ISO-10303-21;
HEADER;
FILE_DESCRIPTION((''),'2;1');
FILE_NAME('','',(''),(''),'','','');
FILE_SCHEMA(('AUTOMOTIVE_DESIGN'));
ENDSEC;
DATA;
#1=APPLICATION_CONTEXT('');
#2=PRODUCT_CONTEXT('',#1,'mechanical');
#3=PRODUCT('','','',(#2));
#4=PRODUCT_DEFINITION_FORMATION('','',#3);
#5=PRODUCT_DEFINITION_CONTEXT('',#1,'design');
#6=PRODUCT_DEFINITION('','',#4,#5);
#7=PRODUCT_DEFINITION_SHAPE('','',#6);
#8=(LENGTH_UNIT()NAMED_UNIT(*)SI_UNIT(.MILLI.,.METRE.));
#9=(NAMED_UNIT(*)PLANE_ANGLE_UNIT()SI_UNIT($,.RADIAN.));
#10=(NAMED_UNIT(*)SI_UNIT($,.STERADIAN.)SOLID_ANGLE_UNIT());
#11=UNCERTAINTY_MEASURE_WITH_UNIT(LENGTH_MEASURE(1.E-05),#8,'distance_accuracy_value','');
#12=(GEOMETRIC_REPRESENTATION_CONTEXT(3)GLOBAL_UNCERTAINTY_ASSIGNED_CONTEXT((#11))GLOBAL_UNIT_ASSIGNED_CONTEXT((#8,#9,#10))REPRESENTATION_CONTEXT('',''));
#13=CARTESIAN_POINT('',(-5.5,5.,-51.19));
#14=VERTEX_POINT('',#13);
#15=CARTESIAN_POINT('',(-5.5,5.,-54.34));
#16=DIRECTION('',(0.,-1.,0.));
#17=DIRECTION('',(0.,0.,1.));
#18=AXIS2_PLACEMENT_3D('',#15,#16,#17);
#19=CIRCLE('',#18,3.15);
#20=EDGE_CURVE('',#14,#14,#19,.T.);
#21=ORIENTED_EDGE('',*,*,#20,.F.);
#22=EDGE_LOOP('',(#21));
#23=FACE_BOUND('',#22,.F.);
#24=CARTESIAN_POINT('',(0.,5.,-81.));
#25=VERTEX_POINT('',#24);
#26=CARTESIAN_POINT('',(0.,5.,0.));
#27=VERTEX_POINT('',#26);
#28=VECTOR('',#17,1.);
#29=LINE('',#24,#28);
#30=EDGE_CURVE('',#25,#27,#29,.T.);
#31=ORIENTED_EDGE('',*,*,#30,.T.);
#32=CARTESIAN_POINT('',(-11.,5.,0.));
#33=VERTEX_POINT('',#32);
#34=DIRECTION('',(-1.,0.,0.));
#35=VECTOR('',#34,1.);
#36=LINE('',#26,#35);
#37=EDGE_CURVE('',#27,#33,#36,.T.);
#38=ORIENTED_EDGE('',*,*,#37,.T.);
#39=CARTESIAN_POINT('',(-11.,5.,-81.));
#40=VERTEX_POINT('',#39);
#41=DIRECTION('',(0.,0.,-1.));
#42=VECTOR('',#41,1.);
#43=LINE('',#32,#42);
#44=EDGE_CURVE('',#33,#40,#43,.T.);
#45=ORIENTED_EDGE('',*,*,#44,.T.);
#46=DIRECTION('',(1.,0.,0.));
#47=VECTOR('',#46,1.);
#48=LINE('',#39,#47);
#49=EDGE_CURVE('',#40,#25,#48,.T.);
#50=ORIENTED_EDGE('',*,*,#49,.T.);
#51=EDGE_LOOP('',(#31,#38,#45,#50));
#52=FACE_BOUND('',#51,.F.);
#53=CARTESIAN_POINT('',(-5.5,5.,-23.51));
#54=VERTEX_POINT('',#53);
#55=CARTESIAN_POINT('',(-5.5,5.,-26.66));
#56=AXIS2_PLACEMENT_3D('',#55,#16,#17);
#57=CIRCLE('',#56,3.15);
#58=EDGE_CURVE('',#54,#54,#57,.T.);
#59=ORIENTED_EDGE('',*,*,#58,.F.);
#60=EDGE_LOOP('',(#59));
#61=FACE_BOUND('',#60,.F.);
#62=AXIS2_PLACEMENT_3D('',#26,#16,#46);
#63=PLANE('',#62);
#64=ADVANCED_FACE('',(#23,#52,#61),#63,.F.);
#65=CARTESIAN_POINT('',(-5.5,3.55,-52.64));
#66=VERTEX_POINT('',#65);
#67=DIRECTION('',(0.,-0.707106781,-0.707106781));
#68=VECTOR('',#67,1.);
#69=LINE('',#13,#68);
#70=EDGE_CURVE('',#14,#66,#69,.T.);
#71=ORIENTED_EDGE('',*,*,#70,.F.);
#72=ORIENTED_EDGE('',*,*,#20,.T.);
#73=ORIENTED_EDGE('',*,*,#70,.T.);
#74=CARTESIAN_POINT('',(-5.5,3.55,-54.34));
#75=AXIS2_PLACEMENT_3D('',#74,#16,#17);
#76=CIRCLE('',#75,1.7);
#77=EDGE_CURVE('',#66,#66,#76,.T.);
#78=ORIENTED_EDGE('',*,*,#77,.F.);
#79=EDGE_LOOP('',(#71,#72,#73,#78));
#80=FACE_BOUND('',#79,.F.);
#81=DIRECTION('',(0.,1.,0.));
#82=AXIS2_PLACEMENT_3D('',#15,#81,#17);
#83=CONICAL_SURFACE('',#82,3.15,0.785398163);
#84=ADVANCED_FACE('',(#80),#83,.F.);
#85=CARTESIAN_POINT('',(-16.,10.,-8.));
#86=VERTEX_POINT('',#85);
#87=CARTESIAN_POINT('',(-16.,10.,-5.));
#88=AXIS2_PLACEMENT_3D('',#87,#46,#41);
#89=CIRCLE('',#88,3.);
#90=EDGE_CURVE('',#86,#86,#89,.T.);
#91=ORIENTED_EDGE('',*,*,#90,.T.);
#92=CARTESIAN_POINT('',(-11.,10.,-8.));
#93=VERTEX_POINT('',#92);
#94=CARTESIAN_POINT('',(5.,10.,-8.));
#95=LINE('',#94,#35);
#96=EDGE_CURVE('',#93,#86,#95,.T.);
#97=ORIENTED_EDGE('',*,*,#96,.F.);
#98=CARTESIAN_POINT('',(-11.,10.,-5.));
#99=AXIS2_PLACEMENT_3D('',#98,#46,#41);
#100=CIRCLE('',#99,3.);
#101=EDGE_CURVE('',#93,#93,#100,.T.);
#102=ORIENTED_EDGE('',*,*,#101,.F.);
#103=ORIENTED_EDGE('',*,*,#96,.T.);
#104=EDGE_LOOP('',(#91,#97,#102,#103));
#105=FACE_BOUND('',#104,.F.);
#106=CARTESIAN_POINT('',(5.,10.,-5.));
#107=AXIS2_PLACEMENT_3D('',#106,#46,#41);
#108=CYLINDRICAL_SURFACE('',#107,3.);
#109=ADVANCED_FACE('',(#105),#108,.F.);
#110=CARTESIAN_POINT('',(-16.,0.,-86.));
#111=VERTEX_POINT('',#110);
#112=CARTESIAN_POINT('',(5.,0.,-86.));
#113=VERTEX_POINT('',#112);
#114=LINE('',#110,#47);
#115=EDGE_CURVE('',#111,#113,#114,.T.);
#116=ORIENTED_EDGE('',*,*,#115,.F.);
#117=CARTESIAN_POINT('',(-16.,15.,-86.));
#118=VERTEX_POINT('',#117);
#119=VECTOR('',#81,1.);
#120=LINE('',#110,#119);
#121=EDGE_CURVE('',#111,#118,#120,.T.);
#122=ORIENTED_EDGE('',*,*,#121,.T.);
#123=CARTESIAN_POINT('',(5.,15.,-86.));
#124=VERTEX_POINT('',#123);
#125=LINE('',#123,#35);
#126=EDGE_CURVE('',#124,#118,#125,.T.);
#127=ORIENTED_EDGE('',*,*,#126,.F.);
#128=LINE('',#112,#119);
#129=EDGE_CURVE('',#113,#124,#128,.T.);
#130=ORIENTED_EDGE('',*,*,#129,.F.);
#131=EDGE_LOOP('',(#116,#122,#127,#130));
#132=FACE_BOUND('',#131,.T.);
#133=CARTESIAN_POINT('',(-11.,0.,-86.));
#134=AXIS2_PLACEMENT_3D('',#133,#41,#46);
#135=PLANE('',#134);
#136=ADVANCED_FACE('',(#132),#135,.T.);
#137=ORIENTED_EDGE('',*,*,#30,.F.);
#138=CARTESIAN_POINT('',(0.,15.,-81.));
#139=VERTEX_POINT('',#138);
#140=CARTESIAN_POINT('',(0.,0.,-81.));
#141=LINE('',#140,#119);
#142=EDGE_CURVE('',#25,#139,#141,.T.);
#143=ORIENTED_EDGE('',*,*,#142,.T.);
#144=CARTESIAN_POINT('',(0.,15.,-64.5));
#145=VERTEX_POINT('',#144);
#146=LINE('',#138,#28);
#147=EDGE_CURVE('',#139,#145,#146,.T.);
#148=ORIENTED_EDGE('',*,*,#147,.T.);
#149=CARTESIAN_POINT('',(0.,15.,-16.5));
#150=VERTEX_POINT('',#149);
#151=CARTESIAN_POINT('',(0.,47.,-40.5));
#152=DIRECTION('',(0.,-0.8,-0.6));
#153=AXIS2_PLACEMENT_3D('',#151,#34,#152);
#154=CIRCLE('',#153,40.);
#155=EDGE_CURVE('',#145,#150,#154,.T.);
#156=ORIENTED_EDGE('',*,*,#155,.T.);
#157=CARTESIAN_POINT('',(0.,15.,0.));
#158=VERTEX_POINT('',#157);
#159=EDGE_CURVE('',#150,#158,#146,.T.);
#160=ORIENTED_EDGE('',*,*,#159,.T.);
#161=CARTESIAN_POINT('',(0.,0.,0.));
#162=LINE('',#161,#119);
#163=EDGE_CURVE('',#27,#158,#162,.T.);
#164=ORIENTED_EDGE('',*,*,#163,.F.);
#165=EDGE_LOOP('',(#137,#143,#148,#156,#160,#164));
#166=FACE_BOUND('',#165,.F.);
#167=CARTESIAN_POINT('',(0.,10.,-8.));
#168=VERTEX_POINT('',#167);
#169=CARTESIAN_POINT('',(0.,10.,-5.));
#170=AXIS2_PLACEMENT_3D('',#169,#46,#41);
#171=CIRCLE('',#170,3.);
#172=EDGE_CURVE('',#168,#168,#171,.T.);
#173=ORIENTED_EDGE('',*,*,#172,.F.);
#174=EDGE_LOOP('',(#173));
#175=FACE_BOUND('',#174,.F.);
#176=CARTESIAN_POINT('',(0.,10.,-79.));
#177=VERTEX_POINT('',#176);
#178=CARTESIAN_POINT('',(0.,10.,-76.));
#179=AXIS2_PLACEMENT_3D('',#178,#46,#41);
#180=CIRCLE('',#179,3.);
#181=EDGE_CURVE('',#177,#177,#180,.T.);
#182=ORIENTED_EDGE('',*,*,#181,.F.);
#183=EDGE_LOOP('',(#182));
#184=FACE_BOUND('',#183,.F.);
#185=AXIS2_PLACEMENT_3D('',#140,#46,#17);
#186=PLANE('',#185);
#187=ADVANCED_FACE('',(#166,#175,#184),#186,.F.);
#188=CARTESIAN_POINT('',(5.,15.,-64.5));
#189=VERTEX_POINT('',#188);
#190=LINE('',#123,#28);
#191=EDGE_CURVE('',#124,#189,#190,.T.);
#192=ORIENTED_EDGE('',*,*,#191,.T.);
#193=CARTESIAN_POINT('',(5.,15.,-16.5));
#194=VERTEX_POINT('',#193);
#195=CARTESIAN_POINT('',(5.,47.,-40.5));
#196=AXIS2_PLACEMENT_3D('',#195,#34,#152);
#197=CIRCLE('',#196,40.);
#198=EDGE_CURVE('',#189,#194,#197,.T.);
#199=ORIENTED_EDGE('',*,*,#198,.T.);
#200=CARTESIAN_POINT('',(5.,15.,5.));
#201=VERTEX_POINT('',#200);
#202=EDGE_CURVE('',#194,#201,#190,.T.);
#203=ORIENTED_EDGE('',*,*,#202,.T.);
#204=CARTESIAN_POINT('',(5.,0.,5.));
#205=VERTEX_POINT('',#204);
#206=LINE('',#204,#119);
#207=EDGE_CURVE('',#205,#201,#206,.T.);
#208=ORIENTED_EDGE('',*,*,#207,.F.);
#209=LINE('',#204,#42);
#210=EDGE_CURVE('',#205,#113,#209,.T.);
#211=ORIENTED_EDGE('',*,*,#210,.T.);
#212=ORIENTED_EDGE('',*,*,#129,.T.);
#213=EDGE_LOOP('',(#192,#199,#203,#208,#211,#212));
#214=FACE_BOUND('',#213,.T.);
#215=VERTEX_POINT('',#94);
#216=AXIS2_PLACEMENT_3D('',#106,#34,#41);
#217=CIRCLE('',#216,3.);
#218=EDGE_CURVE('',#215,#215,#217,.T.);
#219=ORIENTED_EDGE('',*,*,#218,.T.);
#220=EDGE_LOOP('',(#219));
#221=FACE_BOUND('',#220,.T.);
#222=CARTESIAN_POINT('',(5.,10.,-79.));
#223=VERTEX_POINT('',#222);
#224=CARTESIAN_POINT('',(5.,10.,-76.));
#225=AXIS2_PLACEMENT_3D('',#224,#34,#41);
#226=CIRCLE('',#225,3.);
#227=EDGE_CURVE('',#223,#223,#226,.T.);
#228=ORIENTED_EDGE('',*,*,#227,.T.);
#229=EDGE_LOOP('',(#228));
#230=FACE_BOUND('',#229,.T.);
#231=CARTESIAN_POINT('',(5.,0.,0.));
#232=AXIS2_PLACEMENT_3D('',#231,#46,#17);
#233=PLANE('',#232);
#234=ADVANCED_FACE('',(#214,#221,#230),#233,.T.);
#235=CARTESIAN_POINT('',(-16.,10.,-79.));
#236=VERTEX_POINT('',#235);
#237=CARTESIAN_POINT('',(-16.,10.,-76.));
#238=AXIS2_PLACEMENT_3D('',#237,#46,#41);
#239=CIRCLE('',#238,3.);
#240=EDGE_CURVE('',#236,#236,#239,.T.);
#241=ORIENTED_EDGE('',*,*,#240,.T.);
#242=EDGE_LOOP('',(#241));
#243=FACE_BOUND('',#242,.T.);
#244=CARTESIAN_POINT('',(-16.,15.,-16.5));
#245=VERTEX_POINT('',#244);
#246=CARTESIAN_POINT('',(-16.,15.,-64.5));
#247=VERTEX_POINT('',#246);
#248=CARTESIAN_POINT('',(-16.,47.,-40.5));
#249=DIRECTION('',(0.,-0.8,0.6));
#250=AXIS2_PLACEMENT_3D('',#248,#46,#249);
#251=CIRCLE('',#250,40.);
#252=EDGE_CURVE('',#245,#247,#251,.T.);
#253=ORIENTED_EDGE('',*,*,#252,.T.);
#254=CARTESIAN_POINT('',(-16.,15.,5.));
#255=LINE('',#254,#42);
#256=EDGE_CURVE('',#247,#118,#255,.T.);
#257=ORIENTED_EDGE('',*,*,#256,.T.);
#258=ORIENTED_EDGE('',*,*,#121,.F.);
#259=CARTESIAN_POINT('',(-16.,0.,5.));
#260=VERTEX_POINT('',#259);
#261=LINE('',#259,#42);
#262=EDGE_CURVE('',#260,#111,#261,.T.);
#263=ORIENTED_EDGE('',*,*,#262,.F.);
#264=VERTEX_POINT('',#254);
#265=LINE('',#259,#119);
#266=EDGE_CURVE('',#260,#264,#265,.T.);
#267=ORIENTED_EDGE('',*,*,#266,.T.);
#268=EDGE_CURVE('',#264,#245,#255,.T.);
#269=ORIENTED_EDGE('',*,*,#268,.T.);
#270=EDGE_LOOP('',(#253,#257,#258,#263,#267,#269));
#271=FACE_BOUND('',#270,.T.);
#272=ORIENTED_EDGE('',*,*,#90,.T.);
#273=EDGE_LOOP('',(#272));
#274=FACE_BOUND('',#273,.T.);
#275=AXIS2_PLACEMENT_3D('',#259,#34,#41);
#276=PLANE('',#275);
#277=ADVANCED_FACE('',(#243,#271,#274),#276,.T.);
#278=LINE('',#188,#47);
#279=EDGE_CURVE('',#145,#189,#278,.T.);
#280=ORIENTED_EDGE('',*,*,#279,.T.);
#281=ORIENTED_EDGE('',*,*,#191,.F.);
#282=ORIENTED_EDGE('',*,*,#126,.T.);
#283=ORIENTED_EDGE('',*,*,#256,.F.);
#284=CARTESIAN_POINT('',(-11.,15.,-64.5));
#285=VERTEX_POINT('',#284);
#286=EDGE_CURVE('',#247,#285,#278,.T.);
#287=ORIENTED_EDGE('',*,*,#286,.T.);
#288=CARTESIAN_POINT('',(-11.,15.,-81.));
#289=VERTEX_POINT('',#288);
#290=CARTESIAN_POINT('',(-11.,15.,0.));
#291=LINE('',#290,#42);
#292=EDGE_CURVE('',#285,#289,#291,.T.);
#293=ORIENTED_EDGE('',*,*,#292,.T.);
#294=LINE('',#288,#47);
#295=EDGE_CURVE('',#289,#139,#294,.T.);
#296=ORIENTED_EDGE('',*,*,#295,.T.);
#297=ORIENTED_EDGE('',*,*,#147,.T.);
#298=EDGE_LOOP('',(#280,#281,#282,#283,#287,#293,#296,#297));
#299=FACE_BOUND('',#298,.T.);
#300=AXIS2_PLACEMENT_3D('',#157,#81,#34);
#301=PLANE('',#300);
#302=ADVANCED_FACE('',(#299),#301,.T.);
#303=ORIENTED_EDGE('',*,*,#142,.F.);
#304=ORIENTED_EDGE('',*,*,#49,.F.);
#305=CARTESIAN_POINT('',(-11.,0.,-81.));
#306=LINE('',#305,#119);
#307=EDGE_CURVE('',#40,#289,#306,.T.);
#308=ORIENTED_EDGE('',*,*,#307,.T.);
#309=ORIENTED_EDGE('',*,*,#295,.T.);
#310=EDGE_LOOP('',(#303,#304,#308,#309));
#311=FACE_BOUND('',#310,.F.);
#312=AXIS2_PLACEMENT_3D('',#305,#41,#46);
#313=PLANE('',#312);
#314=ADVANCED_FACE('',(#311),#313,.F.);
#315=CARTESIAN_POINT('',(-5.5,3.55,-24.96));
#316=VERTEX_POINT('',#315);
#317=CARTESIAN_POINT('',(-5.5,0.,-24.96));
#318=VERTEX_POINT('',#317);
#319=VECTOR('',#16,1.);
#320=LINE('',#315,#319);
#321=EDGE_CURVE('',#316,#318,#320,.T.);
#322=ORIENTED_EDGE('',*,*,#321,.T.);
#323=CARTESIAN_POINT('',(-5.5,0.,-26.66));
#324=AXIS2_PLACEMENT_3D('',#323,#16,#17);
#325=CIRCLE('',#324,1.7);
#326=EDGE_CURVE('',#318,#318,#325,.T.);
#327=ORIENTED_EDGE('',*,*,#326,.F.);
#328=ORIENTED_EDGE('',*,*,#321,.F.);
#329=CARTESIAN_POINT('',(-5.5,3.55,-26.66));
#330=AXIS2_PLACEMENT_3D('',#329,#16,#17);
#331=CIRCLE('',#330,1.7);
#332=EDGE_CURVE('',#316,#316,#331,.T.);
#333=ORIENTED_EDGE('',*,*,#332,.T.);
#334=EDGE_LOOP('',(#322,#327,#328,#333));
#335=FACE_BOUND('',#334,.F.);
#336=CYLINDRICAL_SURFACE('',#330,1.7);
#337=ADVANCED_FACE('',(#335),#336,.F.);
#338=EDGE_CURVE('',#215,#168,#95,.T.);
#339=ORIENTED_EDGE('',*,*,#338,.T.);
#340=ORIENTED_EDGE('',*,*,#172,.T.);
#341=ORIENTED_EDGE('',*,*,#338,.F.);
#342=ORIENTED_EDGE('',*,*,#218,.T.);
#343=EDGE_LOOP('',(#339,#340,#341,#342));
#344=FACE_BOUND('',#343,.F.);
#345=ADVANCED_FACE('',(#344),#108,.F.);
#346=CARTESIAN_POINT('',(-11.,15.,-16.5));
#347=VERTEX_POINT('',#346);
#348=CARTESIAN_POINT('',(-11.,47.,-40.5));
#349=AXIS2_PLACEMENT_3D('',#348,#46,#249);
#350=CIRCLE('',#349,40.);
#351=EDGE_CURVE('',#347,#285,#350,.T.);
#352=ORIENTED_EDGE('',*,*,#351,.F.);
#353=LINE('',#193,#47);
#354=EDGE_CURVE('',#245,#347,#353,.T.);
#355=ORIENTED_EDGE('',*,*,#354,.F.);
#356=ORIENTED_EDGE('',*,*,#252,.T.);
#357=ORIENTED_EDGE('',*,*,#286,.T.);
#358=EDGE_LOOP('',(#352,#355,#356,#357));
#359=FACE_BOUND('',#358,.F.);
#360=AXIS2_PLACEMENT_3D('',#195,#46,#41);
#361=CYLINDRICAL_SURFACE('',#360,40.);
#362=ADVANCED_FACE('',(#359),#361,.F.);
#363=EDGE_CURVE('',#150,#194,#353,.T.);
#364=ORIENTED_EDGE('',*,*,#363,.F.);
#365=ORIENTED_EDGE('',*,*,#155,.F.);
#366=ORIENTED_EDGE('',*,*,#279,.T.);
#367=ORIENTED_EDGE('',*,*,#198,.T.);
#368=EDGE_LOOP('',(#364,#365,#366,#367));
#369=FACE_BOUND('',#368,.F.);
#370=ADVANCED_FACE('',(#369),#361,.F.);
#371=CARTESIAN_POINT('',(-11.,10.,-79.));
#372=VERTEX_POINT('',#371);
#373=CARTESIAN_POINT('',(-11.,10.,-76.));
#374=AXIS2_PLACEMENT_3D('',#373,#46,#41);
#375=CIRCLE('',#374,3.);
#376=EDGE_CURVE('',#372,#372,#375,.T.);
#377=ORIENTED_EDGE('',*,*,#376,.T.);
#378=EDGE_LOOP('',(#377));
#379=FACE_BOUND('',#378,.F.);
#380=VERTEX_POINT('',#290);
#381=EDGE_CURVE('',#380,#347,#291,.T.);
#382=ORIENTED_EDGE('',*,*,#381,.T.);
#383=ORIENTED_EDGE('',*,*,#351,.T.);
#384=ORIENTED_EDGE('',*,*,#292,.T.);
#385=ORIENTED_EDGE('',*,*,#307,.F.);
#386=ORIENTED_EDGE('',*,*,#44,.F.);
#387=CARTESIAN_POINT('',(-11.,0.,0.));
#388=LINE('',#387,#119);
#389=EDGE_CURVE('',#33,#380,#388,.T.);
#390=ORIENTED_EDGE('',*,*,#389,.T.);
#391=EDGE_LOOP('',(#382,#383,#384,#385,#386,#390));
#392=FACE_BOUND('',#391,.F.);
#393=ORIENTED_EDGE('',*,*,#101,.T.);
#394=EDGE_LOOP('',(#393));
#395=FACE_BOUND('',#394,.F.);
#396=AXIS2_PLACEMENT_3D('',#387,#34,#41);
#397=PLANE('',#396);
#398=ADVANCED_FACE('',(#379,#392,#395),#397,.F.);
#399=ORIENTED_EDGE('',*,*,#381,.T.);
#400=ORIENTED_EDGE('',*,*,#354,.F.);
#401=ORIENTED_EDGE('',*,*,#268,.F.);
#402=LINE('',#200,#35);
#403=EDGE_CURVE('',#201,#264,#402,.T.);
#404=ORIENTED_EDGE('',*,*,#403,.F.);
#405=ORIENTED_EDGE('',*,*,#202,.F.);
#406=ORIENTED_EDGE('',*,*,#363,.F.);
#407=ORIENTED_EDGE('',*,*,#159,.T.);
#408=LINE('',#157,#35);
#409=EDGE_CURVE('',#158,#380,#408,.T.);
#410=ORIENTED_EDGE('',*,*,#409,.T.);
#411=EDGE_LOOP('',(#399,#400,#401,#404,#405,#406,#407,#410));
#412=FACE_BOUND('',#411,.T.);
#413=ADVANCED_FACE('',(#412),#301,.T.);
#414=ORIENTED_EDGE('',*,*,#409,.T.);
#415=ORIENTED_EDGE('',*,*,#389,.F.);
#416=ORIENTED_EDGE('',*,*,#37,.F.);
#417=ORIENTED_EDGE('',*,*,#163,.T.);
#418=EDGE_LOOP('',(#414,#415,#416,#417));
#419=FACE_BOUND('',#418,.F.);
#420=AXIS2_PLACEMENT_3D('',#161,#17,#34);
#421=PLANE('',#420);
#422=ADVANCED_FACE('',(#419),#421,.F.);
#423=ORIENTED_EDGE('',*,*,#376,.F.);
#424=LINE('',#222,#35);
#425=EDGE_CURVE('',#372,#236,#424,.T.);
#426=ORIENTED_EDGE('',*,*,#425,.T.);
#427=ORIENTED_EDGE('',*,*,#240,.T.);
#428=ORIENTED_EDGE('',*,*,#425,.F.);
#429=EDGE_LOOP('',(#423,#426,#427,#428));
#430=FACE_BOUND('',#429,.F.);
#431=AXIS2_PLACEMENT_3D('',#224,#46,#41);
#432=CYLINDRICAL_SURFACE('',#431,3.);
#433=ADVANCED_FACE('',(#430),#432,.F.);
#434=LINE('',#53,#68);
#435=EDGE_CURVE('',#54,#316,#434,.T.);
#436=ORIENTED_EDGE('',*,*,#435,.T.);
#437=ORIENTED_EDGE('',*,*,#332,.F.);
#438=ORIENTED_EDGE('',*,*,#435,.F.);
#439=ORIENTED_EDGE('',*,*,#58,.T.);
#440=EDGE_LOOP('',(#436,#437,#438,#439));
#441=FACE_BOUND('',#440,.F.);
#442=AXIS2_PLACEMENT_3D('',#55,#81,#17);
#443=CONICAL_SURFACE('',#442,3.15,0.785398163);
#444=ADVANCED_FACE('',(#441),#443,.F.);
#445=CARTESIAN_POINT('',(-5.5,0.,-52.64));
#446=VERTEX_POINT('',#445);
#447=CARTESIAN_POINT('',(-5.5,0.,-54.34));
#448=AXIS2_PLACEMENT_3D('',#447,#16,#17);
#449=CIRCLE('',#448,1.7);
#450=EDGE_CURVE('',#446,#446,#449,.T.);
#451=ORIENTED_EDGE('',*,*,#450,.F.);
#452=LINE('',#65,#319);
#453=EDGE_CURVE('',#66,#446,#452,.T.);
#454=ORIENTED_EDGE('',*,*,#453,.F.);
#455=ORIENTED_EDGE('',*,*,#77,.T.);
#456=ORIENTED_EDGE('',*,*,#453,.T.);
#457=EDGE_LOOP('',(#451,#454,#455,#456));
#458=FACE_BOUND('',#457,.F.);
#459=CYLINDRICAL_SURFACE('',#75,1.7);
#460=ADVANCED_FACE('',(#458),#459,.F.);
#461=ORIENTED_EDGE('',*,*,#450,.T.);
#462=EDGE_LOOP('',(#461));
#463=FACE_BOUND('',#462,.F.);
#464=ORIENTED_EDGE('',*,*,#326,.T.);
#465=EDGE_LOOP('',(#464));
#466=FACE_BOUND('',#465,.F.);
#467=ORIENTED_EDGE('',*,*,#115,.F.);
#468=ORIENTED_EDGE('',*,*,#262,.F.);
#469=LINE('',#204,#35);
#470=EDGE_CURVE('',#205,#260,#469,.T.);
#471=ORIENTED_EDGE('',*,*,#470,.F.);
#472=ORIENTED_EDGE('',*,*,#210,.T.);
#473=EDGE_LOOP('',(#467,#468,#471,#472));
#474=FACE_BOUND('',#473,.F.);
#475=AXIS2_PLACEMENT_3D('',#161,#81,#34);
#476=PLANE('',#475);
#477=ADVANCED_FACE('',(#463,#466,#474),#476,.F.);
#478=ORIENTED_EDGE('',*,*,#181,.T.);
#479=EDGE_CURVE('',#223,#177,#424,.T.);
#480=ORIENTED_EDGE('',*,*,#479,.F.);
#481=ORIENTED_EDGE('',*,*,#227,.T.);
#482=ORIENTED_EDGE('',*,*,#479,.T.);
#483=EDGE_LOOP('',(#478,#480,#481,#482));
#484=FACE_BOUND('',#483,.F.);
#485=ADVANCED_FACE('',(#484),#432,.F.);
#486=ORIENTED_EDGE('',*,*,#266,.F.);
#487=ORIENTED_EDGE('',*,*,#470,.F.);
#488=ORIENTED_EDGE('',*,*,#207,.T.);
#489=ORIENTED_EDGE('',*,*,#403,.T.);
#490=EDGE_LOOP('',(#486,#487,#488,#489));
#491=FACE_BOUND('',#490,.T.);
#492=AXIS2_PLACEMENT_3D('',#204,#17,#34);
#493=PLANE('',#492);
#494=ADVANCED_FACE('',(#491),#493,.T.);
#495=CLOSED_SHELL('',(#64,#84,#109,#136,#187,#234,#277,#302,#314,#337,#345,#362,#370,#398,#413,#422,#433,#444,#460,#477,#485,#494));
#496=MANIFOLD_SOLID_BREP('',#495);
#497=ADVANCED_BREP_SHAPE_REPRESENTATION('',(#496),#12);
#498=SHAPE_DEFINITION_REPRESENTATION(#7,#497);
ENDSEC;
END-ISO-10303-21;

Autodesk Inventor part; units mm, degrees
ref_plane "YZ Plane" through (0, 0, 0) normal (1, 0, 0) x (0, 1, 0)
ref_plane "XZ Plane" through (0, 0, 0) normal (0, 1, 0) x (-1, 0, 0)
ref_plane "XY Plane" through (0, 0, 0) normal (0, 0, 1) x (1, 0, 0)
sketch "Boceto1" plane through (0, 0, 0) normal (0, 1, 0) x (-1, 0, 0)
  point P0 (0, 0)
sketch "Boceto2" plane through (0, 0, 0) normal (0, 1, 0) x (-1, 0, 0)
  line L0 (0, 0) -> (11, 0)
  line L1 (11, 0) -> (11, -81)
  line L2 (11, -81) -> (0, -81)
  line L3 (0, -81) -> (0, 0)
  line L4 (-5, 0) -> (-5, 5)
  line L5 (11, -86) -> (16, -86)
  line L6 (-5, 5) -> (16, 5)
  line L7 (16, 5) -> (16, -86)
  line L8 (16, -86) -> (-5, -86)
  line L9 (-5, -86) -> (-5, 5)
  dimension "d0" = 81
  dimension "d1" = 5
  dimension "d2" = 5
  dimension "d3" = 5
  dimension "d4" = 5
extrude "Extrusión1" add sketch "Boceto2" along normal blind 15
sketch "Boceto3" plane through (0, 0, 0) normal (0, -1, 0) x (1, 0, 0)
  line L0 (0, -81) -> (0, 0) projected
  line L1 (-11, 0) -> (-11, -81) projected
  line L2 (0, 0) -> (-11, 0)
  line L3 (-11, 0) -> (-11, -81)
  line L4 (-11, -81) -> (0, -81)
  line L5 (0, -81) -> (0, 0)
extrude "Extrusión2" add sketch "Boceto3" against normal blind 5
sketch "Boceto4" plane through (0, 5, 0) normal (0, 1, 0) x (1, 0, 0)
  line L0 (0, 0) -> (-11, 0) projected
  line L1 (-5.5, 0) -> (-5.5, 81)
  line L2 (-11, 81) -> (0, 81) projected
  line L3 (-5.5, 0) -> (-5.5, 26.66)
  line L4 (-5.5, 81) -> (-5.5, 54.34)
  dimension "d9" = 26.66
  dimension "d10" = 26.66
hole "Agujero1" at (-5.5, 5, -26.66) at (-5.5, 5, -54.34) direction (0, -1, 0) diameter 3.4 depth 5 countersink diameter 6.3 countersink angle 90 clearance for "Tornillo para maquinaria de cabeza plana" size "M3" standard "Perfil M métrico ANSI"
sketch "Boceto5" plane through (5, 0, 5) normal (1, 0, 0) x (0, 0, -1)
  line L0 (0, 0) -> (45.5, 0)
  line L1 (0, 0) -> (91, 0) projected
  line L2 (45.5, 0) -> (45.5, 5)
  line L3 (45.5, 5) -> (45.5, 7)
  line L4 (45.5, 7) -> (45.5, 47)
  circle A0 centre (45.5, 47) radius 40
  point P0 (5, 0)
  dimension "d18" = 45.5
  dimension "d19" = 5
  dimension "d20" = 2
  dimension "d21" = 40
extrude "Extrusión3" cut sketch "Boceto5" against normal blind 32
sketch "Boceto6" plane through (5, 0, 5) normal (1, 0, 0) x (0, 0, -1)
  line L0 (0, 0) -> (0, 15) projected
  line L1 (91, 0) -> (91, 15) projected
  line L2 (91, 0) -> (0, 0) projected
  line L3 (0, 0) -> (10, 0)
  line L4 (10, 0) -> (10, 10)
  circle A0 centre (10, 10) radius 3
  line L5 (91, 0) -> (81, 0)
  line L6 (0, 0) -> (91, 0) projected
  line L7 (81, 0) -> (81, 10)
  circle A1 centre (81, 10) radius 3
  point P0 (5, 0)
  dimension "d26" = 10
  dimension "d27" = 10
  dimension "d29" = 6
  dimension "d30" = 10
  dimension "d31" = 10
sketch "Boceto7" plane through (5, 0, 5) normal (1, 0, 0) x (0, 0, -1)
  line L0 (5, 5) -> (45.5, 5)
  line L1 (86, 5) -> (5, 5) projected
  point P0 (5, 0)
extrude "Extrusión4" cut sketch "Boceto6" against normal blind 58
properties part number "Base ventilador ahora si"
